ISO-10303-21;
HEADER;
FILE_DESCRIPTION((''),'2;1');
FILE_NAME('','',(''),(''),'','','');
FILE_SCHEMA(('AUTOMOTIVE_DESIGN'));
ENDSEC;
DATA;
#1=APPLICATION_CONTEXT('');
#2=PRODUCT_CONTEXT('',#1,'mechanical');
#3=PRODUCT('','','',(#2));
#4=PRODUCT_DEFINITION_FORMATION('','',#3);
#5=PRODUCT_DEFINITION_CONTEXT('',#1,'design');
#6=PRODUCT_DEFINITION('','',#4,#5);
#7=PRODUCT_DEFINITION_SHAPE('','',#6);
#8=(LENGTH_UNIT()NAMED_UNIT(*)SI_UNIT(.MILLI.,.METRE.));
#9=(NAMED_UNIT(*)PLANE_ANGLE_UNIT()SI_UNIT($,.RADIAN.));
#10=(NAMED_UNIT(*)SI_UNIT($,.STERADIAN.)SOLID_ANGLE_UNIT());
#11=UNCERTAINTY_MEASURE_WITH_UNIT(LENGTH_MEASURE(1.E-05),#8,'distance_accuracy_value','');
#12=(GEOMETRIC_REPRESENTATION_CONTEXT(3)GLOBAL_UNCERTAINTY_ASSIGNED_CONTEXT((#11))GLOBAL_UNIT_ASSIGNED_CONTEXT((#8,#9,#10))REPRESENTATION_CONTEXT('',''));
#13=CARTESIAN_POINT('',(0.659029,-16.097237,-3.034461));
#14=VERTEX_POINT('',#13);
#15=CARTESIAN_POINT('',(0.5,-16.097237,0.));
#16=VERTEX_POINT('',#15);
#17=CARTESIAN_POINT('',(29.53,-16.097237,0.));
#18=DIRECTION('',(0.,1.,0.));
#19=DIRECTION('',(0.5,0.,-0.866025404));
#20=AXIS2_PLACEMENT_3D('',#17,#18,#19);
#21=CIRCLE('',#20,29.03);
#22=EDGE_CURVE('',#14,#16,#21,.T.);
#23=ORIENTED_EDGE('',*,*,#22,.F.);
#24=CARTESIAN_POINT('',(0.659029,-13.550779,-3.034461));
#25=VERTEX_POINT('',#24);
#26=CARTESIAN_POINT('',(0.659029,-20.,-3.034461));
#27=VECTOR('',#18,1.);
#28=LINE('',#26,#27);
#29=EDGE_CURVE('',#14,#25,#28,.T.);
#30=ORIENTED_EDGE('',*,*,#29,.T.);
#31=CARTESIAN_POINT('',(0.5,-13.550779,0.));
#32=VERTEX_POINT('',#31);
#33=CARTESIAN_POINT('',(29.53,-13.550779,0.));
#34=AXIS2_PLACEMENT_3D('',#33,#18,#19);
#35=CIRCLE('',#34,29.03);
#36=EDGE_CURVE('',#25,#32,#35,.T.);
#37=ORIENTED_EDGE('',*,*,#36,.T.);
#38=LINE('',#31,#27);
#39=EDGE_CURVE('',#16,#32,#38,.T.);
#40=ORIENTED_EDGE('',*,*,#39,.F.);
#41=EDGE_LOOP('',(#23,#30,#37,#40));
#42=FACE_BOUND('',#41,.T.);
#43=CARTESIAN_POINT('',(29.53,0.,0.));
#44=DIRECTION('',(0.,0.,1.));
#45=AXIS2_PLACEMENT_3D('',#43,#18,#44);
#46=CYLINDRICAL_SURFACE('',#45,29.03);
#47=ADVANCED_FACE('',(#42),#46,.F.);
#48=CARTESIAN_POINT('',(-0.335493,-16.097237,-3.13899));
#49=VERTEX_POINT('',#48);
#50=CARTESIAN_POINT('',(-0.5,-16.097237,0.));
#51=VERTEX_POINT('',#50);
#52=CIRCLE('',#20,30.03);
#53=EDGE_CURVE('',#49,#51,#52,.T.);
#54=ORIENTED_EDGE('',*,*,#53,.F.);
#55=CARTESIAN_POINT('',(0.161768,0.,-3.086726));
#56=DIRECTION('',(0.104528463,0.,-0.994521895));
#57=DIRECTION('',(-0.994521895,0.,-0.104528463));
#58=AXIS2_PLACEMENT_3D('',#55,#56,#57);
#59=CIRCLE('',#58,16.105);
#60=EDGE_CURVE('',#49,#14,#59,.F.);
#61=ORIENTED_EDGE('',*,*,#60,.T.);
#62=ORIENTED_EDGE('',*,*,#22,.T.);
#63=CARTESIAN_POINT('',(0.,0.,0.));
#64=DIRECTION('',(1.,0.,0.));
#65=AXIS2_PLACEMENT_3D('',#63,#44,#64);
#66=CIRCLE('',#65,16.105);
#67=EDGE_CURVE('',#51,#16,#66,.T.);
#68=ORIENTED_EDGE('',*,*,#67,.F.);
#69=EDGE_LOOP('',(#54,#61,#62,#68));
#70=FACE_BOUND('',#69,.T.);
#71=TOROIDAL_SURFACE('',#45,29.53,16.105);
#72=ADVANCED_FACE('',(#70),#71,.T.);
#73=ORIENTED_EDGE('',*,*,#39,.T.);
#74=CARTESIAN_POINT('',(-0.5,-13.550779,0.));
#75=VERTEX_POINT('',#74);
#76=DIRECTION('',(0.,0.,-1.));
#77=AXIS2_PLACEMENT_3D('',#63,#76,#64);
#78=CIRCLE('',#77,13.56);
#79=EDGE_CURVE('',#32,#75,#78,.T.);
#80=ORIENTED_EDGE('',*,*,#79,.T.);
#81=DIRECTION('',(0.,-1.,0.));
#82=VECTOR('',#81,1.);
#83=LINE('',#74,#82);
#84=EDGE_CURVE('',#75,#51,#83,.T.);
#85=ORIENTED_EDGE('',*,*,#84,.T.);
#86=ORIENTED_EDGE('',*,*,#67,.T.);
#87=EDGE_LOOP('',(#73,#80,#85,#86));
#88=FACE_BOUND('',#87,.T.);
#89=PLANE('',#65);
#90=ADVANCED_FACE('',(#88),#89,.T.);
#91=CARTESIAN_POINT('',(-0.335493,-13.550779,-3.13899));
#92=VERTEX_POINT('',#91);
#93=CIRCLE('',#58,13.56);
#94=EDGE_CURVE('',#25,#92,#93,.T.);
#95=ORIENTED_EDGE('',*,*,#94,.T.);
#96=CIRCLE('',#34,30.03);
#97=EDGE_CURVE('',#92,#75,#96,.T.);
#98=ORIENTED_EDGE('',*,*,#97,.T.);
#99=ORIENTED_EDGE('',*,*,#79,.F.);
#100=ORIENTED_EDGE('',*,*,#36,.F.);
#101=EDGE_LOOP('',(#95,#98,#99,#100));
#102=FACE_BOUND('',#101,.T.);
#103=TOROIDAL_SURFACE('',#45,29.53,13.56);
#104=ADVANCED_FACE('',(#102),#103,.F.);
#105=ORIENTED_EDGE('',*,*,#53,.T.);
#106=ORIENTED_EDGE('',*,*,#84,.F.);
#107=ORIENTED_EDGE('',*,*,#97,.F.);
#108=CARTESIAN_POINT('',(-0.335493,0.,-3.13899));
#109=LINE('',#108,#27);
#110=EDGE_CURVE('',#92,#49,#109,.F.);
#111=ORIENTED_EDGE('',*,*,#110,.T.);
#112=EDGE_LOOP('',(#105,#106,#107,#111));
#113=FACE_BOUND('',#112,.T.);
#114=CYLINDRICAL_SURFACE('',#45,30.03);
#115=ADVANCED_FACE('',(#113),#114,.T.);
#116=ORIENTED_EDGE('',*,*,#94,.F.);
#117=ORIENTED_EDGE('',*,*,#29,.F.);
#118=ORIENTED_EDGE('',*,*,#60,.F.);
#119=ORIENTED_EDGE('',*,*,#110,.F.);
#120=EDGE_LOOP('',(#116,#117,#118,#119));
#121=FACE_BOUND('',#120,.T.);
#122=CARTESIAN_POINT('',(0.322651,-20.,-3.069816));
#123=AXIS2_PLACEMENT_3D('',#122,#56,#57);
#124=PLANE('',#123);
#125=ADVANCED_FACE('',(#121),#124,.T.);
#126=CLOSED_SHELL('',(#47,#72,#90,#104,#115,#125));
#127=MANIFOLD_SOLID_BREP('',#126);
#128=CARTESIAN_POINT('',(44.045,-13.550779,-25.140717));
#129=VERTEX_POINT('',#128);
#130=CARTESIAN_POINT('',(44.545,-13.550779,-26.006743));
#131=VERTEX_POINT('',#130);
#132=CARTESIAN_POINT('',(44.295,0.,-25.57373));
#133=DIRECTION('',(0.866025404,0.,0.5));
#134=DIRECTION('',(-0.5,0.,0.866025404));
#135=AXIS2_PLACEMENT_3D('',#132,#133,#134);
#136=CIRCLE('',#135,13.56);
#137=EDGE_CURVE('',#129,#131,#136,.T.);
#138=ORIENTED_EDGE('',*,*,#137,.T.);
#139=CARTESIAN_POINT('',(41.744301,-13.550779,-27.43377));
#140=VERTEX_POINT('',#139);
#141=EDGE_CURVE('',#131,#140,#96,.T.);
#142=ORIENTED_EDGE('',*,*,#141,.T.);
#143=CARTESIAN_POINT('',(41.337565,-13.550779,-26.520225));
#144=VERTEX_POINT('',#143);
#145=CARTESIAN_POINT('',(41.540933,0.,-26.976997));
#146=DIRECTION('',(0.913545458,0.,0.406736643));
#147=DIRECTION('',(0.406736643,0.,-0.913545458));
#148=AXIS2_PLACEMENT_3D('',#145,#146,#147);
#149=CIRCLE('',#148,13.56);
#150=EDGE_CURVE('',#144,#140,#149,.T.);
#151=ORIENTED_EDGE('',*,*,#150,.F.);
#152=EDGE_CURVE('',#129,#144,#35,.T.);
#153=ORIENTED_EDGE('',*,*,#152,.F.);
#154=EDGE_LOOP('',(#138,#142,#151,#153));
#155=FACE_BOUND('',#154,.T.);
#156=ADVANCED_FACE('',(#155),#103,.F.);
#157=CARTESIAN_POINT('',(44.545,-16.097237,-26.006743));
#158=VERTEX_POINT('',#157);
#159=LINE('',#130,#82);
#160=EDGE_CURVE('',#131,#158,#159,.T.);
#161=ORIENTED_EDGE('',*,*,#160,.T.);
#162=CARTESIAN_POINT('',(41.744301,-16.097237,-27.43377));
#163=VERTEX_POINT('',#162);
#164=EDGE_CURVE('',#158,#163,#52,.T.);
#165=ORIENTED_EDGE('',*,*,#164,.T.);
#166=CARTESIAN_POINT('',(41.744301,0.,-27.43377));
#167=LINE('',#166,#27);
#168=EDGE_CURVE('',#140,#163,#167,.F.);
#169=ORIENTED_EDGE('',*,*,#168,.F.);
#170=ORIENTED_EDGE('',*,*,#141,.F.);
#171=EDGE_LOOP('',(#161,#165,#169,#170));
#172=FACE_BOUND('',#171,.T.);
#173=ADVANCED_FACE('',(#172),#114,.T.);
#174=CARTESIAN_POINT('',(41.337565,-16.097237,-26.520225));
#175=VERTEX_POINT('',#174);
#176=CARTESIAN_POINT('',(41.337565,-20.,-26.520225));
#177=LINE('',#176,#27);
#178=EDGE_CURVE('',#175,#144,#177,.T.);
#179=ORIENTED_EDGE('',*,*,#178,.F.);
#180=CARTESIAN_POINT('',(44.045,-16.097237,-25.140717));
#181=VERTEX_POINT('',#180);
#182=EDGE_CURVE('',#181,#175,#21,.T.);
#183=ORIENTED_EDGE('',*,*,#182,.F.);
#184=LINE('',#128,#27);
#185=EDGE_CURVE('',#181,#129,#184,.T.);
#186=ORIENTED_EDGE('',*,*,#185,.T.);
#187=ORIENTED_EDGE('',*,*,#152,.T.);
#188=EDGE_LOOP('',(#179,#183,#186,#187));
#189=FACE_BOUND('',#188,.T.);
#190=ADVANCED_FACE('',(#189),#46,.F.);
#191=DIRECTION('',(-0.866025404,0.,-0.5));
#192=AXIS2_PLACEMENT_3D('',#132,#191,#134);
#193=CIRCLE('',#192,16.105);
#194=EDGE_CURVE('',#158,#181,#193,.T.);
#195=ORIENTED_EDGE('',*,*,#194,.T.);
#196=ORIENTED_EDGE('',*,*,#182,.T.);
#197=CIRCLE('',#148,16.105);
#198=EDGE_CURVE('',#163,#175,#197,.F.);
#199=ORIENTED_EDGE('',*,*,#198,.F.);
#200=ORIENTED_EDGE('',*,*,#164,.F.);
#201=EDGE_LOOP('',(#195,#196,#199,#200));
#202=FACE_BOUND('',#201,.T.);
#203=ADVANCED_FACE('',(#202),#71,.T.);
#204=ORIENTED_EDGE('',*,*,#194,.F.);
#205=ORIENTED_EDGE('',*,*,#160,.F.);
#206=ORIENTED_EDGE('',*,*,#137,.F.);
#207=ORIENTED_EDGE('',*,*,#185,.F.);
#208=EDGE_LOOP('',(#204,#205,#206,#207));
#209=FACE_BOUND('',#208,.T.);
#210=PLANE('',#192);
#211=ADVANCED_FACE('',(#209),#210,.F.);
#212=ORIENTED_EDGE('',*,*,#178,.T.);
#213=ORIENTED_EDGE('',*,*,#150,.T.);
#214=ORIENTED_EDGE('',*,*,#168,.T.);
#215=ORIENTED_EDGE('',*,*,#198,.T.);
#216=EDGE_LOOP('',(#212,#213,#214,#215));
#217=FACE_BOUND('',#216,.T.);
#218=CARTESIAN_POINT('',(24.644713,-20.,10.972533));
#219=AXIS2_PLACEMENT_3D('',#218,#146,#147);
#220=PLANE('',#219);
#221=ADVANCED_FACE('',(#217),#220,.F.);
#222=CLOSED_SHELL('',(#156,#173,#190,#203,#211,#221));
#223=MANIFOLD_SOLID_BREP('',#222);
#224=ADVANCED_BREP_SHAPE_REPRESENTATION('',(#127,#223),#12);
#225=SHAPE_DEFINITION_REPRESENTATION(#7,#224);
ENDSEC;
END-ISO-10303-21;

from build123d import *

# Parameters (mm, degrees)
CUT_EXTRUDE2_DEPTH = 20


with BuildPart() as part:
    # Sweep1: sweep along a path in Sketch2
    with BuildLine(Plane(origin=(0, 0, 0), x_dir=(1, 0, 0), z_dir=(0, 1, 0))) as sweep1_path:
        ThreePointArc((44.295, 25.573730174), (14.765, 25.573730174), (0, 0))
    # Sketch1 → Sweep1 (sweep)
    with BuildSketch(Plane.XY):
        with BuildLine():
            Line((-0.5, -13.550778575), (-0.5, -16.097236564))
            ThreePointArc((-0.5, -16.097236564), (0, -16.105), (0.5, -16.097236564))
            Line((0.5, -16.097236564), (0.5, -13.550778575))
            ThreePointArc((0.5, -13.550778575), (0, -13.56), (-0.5, -13.550778575))
        make_face()
    sweep(path=sweep1_path.line)

    # Sketch3 → Cut-Extrude2 (cut)
    with BuildSketch(Plane(origin=(0, 0, 0), x_dir=(1, 0, 0), z_dir=(0, 1, 0))):
        with BuildLine():
            ThreePointArc((0.659029377, 3.034461289), (15.015, 25.140717472), (41.337564748, 26.520224635))
            Line((41.337564748, 26.520224635), (41.744301392, 27.433770093))
            ThreePointArc((41.744301392, 27.433770093), (14.515, 26.006742876), (-0.335492518, 3.138989752))
            Line((-0.335492518, 3.138989752), (0.659029377, 3.034461289))
        make_face()
    extrude(amount=-CUT_EXTRUDE2_DEPTH, mode=Mode.SUBTRACT)


with BuildPart() as cut_extrude2_piece_1:
    # of the separate pieces the step leaves, piece 1, a body of its own (cut_extrude2_pieces)
    add(part.part.solids().sort_by_distance((44.045, -16.097236564, -25.140717472))[0])


with BuildPart() as cut_extrude2_piece_2:
    # of the separate pieces the step leaves, piece 2, a body of its own (cut_extrude2_pieces)
    add(part.part.solids().sort_by_distance((0.659029377, -13.550778575, -3.034461289))[0])


solid = Compound([cut_extrude2_piece_1.part, cut_extrude2_piece_2.part])
